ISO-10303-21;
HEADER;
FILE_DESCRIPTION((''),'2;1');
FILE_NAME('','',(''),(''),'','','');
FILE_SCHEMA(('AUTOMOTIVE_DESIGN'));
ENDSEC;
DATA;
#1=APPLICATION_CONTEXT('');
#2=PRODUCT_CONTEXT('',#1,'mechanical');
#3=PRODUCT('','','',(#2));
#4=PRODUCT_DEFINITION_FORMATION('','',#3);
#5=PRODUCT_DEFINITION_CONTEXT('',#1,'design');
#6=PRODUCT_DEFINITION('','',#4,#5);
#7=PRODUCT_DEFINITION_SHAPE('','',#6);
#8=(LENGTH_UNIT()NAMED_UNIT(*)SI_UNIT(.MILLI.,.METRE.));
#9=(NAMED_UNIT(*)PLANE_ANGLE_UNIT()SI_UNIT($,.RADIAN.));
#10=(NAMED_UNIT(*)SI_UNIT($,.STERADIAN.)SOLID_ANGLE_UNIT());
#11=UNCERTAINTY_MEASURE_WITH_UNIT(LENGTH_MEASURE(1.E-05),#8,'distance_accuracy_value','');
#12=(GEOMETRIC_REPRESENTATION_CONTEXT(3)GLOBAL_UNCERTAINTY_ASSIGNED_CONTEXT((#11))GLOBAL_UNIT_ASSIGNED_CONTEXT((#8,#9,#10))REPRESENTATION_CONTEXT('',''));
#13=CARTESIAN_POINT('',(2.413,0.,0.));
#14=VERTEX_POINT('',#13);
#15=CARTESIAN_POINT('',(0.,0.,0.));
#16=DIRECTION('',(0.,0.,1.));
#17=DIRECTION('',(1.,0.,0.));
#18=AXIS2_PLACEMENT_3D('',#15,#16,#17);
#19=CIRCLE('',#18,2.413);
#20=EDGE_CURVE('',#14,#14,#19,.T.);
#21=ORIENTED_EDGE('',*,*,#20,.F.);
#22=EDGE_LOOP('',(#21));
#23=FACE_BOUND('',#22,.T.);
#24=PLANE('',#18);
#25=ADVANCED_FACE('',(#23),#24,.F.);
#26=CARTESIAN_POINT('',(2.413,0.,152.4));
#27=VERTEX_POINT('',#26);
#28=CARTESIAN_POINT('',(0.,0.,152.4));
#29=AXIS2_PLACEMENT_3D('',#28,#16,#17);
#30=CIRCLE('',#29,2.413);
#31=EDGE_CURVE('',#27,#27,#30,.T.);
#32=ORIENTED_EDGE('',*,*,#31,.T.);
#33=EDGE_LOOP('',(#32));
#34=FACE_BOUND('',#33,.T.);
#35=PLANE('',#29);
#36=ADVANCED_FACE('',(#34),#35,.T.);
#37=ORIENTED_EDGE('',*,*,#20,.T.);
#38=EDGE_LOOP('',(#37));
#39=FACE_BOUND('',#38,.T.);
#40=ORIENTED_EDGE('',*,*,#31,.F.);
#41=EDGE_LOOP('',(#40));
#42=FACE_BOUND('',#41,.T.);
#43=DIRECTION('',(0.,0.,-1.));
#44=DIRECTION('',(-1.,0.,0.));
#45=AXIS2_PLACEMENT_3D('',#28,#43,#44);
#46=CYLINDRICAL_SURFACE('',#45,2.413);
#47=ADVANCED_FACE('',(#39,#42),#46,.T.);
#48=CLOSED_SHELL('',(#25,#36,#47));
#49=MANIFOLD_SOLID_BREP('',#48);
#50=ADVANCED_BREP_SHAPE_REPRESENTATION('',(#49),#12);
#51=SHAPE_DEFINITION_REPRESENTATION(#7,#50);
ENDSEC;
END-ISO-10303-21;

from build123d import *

# Parameters (mm, degrees)
SKETCH1_R           = 2.413
BOSS_EXTRUDE1_DEPTH = 152.4


with BuildPart() as part:
    # Sketch1 → Boss-Extrude1 (new body)
    with BuildSketch(Plane.XY):
        Circle(SKETCH1_R)
    extrude(amount=BOSS_EXTRUDE1_DEPTH)


solid = part.part
